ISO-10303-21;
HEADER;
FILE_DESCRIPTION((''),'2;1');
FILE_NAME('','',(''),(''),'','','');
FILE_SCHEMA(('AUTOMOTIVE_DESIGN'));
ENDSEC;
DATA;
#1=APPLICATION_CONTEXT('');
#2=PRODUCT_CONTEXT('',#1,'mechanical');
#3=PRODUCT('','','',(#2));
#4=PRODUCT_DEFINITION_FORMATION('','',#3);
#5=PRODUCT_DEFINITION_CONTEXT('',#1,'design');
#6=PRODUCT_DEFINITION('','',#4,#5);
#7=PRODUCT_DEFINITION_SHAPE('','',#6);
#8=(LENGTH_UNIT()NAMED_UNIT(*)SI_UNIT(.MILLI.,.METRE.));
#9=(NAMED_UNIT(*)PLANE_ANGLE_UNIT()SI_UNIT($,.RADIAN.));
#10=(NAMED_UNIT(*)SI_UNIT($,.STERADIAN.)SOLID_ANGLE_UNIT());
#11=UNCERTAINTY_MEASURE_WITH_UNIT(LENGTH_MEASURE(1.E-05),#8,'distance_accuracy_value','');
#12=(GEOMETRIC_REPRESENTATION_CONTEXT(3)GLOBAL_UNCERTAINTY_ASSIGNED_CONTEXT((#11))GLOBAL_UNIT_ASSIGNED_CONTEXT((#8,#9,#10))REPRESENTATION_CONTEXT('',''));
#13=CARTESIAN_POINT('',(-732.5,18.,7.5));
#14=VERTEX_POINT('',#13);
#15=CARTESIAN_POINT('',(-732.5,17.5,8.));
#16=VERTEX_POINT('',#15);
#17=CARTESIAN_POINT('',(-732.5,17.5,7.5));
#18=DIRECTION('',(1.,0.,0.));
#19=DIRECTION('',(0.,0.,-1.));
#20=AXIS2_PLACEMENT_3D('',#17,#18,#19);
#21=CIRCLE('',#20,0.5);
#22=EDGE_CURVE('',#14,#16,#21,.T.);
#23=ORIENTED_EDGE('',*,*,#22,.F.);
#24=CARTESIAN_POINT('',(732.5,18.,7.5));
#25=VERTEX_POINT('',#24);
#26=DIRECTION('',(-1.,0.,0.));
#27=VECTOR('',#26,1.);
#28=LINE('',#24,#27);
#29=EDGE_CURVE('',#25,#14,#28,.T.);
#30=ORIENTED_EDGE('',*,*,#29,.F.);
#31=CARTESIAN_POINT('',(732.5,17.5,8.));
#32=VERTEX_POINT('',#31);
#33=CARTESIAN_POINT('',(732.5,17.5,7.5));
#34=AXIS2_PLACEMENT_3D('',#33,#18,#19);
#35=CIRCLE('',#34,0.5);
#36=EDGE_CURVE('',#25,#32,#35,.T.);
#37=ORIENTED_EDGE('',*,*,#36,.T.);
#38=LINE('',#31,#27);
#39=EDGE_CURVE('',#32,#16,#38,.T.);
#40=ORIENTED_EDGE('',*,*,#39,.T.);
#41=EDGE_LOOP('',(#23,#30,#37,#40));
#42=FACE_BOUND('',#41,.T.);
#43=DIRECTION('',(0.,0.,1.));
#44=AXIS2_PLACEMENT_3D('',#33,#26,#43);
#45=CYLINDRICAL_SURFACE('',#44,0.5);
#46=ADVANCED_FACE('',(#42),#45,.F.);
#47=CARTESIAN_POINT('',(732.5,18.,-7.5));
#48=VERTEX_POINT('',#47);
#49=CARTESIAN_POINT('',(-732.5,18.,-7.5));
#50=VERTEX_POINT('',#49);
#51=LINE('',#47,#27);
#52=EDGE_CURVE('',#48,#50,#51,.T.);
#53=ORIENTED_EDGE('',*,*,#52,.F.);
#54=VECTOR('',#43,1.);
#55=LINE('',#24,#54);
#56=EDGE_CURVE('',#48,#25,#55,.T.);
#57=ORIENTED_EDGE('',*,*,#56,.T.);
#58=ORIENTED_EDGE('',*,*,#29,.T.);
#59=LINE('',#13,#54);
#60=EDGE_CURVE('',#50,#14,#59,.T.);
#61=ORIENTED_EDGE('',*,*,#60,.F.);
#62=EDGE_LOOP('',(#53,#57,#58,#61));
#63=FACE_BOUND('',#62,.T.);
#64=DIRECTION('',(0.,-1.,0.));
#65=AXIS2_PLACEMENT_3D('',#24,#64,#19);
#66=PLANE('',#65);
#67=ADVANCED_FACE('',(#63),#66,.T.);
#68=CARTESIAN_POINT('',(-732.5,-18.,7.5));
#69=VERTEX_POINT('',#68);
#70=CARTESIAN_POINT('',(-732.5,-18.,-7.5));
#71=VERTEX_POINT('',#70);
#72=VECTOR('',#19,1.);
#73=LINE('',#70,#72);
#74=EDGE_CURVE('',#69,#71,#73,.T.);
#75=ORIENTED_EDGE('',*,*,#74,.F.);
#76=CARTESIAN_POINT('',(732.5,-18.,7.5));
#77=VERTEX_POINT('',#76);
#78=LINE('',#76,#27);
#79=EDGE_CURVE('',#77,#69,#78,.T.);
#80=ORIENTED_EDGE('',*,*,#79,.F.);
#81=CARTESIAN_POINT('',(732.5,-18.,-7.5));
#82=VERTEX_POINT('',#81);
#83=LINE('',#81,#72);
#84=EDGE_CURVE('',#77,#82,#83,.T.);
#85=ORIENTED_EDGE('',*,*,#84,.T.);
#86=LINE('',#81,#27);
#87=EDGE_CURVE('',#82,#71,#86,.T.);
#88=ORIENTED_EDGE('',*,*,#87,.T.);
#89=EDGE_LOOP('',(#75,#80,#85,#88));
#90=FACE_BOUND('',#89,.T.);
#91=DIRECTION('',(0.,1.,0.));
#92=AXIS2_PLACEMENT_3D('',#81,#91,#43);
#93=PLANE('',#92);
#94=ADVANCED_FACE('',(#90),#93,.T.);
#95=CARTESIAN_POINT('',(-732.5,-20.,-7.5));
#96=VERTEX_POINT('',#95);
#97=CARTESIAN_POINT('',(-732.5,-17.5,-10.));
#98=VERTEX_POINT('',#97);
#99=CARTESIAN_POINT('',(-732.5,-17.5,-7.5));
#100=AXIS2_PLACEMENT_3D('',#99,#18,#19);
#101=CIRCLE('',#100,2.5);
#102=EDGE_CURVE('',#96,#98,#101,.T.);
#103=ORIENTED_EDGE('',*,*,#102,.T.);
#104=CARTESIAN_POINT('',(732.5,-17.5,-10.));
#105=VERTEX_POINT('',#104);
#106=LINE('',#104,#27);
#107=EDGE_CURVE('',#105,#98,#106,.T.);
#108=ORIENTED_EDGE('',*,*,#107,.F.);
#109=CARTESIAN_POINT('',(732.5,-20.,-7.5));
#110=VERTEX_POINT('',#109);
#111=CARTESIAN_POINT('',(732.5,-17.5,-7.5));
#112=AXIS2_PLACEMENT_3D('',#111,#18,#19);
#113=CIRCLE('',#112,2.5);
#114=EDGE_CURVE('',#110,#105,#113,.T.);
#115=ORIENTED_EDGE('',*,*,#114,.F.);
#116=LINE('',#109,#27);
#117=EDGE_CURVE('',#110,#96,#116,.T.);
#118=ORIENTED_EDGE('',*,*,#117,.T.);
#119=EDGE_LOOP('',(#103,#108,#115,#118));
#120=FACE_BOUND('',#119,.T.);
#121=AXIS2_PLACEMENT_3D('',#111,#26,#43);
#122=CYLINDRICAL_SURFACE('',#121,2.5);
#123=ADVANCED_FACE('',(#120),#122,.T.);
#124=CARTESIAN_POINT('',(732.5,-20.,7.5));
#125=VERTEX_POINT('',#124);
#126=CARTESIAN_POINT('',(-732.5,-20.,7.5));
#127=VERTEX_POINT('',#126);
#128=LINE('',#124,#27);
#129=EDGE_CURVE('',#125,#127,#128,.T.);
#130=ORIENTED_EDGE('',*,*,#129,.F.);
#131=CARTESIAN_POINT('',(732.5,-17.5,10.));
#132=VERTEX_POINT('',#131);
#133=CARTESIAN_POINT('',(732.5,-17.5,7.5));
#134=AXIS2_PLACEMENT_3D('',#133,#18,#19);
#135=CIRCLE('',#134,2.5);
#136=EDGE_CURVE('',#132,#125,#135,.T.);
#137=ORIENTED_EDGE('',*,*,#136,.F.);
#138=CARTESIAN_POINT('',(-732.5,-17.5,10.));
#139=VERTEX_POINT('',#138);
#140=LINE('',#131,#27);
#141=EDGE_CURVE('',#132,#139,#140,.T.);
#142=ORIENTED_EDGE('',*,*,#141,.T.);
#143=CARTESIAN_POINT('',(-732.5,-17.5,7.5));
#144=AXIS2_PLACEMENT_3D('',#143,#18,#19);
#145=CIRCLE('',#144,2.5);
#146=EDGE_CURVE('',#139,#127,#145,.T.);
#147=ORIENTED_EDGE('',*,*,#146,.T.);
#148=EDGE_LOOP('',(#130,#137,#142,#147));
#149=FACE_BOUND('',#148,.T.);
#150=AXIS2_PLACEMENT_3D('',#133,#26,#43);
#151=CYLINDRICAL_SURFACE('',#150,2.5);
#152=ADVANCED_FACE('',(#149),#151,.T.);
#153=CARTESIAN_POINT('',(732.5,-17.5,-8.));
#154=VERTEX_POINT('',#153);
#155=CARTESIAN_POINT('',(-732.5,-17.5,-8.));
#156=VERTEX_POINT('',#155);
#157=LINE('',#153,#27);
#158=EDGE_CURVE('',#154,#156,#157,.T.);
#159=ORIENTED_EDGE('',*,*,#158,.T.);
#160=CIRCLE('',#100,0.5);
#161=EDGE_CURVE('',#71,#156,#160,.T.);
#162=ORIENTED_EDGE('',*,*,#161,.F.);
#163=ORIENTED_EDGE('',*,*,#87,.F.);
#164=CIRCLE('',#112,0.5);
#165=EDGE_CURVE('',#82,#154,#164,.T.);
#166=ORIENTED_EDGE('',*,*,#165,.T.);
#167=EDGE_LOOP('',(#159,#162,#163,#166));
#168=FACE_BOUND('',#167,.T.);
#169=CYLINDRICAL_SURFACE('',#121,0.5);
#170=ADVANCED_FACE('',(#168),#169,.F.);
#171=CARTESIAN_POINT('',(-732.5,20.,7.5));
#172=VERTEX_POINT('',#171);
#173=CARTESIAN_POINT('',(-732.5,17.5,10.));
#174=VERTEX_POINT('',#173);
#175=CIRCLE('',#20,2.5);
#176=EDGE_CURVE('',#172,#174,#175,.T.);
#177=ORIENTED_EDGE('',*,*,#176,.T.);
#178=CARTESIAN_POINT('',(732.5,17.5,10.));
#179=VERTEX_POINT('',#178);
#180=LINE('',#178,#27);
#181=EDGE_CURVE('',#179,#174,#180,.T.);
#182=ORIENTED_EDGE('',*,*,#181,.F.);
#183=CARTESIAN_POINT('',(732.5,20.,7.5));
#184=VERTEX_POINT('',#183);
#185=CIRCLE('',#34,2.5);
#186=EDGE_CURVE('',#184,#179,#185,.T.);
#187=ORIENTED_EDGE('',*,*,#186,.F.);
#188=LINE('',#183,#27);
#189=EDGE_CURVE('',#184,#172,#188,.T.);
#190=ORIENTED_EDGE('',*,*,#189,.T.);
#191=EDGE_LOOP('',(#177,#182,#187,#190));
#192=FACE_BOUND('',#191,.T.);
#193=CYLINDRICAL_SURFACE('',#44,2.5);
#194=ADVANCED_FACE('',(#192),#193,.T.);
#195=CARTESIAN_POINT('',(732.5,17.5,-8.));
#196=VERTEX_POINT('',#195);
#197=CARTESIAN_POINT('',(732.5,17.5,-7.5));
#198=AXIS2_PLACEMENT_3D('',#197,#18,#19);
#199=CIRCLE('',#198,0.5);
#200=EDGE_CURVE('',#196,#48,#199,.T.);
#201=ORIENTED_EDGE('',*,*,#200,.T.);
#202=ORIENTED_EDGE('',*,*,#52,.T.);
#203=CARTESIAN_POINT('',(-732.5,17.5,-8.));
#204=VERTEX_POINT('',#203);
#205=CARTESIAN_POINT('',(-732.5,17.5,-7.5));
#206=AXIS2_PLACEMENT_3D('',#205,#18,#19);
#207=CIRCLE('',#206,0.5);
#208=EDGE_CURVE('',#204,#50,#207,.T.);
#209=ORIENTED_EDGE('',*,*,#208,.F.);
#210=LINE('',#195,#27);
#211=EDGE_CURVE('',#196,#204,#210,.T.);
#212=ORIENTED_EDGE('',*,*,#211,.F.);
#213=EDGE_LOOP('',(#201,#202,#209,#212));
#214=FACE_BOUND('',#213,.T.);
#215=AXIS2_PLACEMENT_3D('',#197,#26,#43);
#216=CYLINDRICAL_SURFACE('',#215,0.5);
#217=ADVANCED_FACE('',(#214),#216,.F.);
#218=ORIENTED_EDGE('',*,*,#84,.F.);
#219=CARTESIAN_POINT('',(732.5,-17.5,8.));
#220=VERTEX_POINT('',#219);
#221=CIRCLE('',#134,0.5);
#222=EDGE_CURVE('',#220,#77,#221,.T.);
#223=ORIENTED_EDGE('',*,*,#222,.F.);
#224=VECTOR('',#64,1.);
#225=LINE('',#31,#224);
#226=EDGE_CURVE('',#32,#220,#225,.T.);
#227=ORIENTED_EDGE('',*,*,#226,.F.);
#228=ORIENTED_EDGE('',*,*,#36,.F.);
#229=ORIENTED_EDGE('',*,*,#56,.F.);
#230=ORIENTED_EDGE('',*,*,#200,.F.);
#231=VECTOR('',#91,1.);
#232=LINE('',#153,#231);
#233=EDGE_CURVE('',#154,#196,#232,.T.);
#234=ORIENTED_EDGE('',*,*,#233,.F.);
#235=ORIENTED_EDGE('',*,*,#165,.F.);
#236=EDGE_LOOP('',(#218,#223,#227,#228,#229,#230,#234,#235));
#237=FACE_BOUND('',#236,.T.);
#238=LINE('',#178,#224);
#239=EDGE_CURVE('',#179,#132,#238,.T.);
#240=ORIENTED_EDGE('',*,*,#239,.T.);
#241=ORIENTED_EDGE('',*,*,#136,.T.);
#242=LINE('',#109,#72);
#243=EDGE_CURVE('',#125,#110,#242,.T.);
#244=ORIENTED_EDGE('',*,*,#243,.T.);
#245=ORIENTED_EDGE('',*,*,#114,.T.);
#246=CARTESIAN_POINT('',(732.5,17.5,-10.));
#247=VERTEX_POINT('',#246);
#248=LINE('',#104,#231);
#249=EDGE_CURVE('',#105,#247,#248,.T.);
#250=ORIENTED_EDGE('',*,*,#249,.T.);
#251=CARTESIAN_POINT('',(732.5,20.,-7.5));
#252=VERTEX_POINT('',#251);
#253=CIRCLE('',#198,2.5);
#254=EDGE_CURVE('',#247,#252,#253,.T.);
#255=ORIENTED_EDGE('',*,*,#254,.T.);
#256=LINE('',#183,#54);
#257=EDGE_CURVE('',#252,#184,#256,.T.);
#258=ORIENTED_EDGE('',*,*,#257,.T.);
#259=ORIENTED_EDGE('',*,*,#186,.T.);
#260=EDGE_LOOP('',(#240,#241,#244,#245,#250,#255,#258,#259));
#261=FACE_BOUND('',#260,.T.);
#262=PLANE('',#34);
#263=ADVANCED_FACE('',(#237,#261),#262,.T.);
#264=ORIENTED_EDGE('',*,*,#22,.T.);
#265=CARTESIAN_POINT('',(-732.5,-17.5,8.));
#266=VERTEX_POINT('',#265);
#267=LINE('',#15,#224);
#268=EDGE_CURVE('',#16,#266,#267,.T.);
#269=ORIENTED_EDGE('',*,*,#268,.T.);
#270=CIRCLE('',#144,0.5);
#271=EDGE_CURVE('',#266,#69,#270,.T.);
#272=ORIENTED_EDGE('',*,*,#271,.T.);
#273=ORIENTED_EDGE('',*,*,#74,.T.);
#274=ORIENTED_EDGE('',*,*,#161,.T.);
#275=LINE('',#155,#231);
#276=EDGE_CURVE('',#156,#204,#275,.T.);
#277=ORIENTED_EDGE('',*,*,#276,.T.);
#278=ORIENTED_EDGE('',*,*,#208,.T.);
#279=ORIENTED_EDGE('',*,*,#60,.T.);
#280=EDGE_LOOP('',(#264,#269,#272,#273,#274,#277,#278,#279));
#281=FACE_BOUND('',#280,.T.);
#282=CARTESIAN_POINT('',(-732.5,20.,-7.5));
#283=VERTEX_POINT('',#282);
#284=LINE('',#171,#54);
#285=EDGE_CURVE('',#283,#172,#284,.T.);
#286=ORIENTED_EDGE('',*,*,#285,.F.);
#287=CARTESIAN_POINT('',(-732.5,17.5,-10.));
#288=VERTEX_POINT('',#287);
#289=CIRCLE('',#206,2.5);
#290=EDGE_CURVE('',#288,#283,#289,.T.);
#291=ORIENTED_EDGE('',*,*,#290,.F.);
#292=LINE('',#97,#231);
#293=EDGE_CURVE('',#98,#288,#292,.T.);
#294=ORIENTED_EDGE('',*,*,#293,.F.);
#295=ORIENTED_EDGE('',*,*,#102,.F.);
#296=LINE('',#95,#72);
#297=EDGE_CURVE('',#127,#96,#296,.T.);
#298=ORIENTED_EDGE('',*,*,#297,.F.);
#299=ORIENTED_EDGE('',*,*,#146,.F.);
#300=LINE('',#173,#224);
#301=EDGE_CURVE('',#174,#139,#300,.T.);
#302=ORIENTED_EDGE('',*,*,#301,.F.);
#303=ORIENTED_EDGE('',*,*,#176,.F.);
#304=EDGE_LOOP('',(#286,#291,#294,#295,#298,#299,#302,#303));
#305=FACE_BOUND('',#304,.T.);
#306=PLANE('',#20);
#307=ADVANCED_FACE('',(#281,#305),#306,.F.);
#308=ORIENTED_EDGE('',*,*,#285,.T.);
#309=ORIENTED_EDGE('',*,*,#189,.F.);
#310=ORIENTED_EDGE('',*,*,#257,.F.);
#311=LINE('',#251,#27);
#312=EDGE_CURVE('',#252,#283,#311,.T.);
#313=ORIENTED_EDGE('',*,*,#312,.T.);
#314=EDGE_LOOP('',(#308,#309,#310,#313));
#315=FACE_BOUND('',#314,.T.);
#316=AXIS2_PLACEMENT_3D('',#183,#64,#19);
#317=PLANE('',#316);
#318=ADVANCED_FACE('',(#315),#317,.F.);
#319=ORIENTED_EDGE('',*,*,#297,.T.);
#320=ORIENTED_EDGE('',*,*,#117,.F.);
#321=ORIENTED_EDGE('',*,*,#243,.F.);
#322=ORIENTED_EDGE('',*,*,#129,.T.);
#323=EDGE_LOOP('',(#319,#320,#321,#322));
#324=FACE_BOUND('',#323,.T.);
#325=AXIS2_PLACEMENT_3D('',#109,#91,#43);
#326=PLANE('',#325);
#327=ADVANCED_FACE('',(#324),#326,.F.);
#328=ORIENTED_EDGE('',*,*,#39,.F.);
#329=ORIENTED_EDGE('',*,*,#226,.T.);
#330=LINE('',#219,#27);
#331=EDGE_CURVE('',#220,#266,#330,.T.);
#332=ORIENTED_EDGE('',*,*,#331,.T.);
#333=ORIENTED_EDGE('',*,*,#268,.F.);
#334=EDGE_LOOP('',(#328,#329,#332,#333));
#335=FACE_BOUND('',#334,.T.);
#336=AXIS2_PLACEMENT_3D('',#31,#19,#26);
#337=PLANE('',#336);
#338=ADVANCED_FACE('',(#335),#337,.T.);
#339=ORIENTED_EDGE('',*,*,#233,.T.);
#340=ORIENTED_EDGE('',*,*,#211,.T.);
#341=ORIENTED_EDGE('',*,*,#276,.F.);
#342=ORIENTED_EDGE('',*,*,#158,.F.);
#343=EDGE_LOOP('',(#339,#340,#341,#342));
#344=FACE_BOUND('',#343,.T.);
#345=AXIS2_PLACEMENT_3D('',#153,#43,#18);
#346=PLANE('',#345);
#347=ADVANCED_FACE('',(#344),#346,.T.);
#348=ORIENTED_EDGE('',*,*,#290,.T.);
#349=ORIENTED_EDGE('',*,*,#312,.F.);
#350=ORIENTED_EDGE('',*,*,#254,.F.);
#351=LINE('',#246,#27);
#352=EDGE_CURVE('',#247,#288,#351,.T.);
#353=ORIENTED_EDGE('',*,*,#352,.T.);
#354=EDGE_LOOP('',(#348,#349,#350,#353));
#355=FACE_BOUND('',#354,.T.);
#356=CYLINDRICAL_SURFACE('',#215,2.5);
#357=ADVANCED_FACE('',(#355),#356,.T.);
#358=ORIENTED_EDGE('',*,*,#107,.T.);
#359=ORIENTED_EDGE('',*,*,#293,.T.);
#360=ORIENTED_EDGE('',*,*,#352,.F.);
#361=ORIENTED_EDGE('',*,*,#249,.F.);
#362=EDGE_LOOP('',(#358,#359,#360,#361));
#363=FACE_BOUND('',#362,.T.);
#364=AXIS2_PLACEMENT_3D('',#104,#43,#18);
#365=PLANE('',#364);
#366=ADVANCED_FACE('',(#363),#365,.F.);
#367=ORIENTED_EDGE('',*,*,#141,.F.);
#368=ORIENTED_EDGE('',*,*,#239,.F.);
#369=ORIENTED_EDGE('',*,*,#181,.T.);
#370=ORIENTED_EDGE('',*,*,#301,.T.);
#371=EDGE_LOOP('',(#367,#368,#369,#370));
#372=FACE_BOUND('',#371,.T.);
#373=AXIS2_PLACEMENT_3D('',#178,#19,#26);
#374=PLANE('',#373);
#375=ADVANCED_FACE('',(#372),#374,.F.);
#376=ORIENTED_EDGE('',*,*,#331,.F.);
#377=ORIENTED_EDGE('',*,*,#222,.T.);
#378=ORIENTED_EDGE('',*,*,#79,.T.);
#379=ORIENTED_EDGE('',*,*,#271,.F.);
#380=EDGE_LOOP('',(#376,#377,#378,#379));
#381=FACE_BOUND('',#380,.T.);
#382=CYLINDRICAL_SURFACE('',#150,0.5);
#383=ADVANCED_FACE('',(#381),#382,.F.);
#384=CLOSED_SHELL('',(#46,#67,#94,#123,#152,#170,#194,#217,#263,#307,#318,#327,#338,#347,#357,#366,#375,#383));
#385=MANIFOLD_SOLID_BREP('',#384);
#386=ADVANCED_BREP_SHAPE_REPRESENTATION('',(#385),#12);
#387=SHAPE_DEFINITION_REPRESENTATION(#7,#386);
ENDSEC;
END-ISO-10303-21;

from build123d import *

# Parameters (mm, degrees)
RECTANGULAR_TUBE_CONFIGURED_60_X_40_X_DEPTH = 1465


with BuildPart() as part:
    # Sketch1 → Rectangular tube - configured 60 X 40 X 3.2(2) (new body)
    with BuildSketch(Plane.YZ.offset(-732.5)):
        with BuildLine():
            Line((-17.5, -10), (17.5, -10))
            ThreePointArc((17.5, -10), (19.267766953, -9.267766953), (20, -7.5))
            Line((20, -7.5), (20, 7.5))
            ThreePointArc((20, 7.5), (19.267766953, 9.267766953), (17.5, 10))
            Line((17.5, 10), (-17.5, 10))
            ThreePointArc((-17.5, 10), (-19.267766953, 9.267766953), (-20, 7.5))
            Line((-20, 7.5), (-20, -7.5))
            ThreePointArc((-20, -7.5), (-19.267766953, -9.267766953), (-17.5, -10))
        make_face()
        with BuildLine():
            Line((-17.5, -8), (17.5, -8))
            ThreePointArc((17.5, -8), (17.853553391, -7.853553391), (18, -7.5))
            Line((18, -7.5), (18, 7.5))
            ThreePointArc((18, 7.5), (17.853553391, 7.853553391), (17.5, 8))
            Line((17.5, 8), (-17.5, 8))
            ThreePointArc((-17.5, 8), (-17.853553391, 7.853553391), (-18, 7.5))
            Line((-18, 7.5), (-18, -7.5))
            ThreePointArc((-18, -7.5), (-17.853553391, -7.853553391), (-17.5, -8))
        make_face(mode=Mode.SUBTRACT)
    extrude(amount=RECTANGULAR_TUBE_CONFIGURED_60_X_40_X_DEPTH)


solid = part.part
